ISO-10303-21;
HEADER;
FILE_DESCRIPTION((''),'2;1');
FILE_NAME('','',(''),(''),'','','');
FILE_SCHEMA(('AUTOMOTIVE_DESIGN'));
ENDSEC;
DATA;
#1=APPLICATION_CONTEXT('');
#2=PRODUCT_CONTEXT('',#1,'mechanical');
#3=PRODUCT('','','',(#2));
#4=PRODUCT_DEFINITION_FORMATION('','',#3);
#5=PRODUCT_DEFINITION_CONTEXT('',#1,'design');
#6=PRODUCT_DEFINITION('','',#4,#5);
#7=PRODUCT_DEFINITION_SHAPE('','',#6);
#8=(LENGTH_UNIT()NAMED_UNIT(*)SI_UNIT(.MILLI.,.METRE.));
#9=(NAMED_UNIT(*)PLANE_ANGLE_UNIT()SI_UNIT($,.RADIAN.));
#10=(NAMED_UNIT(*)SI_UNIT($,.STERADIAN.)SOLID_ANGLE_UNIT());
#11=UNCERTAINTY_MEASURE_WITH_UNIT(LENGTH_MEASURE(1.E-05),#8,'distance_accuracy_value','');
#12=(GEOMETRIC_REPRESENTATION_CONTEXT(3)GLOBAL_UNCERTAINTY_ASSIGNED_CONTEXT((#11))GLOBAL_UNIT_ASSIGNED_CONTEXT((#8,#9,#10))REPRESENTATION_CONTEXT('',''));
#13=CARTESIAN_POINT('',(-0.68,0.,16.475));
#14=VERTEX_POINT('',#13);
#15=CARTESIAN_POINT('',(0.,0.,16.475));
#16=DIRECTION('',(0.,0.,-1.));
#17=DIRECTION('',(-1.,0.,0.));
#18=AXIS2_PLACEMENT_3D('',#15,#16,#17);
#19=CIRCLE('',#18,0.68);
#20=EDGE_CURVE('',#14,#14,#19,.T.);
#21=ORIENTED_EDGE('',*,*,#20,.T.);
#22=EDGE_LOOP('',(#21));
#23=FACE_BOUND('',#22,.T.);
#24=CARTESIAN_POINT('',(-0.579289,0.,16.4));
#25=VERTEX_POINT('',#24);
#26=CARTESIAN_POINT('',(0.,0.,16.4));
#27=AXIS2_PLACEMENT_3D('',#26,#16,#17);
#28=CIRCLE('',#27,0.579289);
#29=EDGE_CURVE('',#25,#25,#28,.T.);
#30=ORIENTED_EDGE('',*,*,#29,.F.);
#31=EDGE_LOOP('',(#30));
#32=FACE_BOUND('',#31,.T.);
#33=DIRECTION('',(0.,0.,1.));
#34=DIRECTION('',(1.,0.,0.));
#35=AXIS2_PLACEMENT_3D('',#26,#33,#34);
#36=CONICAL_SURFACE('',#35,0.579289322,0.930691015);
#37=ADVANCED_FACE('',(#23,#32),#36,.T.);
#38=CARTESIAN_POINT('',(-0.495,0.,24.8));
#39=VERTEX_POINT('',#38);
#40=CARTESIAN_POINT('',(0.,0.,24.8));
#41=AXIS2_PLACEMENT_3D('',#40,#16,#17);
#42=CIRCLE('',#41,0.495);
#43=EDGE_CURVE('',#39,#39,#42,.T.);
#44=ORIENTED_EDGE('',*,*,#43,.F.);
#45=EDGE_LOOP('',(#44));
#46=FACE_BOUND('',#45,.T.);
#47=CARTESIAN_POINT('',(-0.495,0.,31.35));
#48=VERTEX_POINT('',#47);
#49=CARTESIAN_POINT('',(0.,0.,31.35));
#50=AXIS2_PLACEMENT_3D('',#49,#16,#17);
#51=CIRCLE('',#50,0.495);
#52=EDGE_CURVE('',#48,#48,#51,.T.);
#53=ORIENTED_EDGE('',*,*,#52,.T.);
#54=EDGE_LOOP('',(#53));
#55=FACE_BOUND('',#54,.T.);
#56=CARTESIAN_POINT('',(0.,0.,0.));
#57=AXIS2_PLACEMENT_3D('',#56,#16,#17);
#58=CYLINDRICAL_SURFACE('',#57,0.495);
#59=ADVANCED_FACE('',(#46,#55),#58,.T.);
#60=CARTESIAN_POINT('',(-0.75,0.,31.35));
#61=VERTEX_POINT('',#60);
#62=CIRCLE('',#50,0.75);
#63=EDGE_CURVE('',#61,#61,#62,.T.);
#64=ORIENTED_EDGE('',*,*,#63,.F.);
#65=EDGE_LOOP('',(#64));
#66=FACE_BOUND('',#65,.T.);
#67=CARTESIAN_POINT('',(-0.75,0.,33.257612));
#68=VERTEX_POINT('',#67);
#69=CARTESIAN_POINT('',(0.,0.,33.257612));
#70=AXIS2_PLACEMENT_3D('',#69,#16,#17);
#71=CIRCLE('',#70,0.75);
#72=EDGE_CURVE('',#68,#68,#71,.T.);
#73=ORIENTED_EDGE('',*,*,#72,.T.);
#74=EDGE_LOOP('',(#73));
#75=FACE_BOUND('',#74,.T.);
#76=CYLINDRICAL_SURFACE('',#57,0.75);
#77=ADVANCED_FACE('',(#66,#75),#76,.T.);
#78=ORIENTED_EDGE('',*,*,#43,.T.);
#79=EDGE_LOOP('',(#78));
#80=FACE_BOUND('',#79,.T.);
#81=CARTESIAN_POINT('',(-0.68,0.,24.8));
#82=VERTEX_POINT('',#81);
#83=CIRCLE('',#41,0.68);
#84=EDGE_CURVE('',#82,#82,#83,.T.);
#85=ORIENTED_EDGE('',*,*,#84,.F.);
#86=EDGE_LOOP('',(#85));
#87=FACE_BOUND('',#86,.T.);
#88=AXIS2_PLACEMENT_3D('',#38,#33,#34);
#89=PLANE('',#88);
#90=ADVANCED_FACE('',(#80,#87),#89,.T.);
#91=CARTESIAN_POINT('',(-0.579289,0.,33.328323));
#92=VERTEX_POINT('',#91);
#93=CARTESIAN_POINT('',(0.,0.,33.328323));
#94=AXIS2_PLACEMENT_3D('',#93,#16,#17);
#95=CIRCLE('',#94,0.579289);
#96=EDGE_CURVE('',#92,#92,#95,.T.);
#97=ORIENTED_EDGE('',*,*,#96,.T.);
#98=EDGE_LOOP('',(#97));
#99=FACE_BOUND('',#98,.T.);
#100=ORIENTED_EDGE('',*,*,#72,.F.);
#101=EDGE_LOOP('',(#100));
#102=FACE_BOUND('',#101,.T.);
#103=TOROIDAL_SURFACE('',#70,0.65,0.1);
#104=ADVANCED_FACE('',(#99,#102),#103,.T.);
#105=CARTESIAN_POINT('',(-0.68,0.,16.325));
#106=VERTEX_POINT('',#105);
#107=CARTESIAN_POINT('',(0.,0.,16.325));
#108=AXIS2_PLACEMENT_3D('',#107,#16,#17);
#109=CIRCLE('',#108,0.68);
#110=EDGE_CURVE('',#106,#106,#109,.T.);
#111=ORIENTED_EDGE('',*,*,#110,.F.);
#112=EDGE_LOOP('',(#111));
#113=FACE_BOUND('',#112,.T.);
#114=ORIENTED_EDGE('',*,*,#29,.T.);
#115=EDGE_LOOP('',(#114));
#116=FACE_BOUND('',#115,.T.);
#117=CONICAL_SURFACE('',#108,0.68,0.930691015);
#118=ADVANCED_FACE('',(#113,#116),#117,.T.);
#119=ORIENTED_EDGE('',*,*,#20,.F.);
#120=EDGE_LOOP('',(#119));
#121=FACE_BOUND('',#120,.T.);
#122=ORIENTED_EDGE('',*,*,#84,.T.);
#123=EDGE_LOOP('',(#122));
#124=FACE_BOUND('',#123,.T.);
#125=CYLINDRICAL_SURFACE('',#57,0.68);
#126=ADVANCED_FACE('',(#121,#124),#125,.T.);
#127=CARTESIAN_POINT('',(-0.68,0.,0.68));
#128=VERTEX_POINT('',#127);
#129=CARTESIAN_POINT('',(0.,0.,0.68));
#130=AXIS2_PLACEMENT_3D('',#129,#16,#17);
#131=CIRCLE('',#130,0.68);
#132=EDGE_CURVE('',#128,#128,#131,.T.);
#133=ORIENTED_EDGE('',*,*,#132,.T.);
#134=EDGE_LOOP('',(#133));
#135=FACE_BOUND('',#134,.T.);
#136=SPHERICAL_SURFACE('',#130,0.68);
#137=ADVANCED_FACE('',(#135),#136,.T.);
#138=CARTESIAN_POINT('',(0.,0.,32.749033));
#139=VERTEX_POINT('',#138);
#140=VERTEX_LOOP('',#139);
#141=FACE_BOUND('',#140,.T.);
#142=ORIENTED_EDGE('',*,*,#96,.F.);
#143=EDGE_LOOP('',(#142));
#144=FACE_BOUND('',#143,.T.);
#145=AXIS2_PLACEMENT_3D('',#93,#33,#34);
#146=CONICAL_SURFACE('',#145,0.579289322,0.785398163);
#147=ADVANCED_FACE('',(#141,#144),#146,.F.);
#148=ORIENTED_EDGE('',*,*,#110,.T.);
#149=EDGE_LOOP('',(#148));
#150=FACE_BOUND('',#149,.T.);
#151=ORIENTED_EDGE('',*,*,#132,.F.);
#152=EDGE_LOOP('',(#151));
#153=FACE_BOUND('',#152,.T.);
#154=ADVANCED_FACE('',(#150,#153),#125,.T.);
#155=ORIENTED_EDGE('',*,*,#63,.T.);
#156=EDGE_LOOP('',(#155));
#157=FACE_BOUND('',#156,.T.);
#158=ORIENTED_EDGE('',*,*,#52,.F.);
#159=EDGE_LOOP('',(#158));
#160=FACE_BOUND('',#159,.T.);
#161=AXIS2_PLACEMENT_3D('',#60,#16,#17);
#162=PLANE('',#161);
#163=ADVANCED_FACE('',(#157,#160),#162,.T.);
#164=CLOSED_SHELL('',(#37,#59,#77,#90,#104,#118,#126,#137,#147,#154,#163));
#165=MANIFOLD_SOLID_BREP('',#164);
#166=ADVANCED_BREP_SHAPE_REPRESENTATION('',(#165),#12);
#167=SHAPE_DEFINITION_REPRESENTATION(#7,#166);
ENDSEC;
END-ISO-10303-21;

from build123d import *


with BuildPart() as part:
    # Эскиз1 → Повернуть1 (revolve)
    with BuildSketch(Plane(origin=(0, 0, 0), x_dir=(1, 0, 0), z_dir=(0, 1, 0))):
        with BuildLine():
            Line((0, 0), (0, -32.749033403))
            Line((0, -32.749033403), (-0.579289322, -33.328322725))
            ThreePointArc((-0.579289322, -33.328322725), (-0.688268343, -33.35), (-0.75, -33.257612047))
            Line((-0.75, -33.257612047), (-0.75, -31.35))
            Line((-0.75, -31.35), (-0.495, -31.35))
            Line((-0.495, -31.35), (-0.495, -24.8))
            Line((-0.495, -24.8), (-0.68, -24.8))
            Line((-0.68, -24.8), (-0.68, -16.475))
            Line((-0.68, -16.475), (-0.579289322, -16.4))
            Line((-0.579289322, -16.4), (-0.68, -16.325))
            Line((-0.68, -16.325), (-0.68, -0.68))
            ThreePointArc((-0.68, -0.68), (-0.480832611, -0.199167389), (0, 0))
        make_face()
    revolve(axis=Axis((0, 0, 0), (0, 0, 1)))


solid = part.part
